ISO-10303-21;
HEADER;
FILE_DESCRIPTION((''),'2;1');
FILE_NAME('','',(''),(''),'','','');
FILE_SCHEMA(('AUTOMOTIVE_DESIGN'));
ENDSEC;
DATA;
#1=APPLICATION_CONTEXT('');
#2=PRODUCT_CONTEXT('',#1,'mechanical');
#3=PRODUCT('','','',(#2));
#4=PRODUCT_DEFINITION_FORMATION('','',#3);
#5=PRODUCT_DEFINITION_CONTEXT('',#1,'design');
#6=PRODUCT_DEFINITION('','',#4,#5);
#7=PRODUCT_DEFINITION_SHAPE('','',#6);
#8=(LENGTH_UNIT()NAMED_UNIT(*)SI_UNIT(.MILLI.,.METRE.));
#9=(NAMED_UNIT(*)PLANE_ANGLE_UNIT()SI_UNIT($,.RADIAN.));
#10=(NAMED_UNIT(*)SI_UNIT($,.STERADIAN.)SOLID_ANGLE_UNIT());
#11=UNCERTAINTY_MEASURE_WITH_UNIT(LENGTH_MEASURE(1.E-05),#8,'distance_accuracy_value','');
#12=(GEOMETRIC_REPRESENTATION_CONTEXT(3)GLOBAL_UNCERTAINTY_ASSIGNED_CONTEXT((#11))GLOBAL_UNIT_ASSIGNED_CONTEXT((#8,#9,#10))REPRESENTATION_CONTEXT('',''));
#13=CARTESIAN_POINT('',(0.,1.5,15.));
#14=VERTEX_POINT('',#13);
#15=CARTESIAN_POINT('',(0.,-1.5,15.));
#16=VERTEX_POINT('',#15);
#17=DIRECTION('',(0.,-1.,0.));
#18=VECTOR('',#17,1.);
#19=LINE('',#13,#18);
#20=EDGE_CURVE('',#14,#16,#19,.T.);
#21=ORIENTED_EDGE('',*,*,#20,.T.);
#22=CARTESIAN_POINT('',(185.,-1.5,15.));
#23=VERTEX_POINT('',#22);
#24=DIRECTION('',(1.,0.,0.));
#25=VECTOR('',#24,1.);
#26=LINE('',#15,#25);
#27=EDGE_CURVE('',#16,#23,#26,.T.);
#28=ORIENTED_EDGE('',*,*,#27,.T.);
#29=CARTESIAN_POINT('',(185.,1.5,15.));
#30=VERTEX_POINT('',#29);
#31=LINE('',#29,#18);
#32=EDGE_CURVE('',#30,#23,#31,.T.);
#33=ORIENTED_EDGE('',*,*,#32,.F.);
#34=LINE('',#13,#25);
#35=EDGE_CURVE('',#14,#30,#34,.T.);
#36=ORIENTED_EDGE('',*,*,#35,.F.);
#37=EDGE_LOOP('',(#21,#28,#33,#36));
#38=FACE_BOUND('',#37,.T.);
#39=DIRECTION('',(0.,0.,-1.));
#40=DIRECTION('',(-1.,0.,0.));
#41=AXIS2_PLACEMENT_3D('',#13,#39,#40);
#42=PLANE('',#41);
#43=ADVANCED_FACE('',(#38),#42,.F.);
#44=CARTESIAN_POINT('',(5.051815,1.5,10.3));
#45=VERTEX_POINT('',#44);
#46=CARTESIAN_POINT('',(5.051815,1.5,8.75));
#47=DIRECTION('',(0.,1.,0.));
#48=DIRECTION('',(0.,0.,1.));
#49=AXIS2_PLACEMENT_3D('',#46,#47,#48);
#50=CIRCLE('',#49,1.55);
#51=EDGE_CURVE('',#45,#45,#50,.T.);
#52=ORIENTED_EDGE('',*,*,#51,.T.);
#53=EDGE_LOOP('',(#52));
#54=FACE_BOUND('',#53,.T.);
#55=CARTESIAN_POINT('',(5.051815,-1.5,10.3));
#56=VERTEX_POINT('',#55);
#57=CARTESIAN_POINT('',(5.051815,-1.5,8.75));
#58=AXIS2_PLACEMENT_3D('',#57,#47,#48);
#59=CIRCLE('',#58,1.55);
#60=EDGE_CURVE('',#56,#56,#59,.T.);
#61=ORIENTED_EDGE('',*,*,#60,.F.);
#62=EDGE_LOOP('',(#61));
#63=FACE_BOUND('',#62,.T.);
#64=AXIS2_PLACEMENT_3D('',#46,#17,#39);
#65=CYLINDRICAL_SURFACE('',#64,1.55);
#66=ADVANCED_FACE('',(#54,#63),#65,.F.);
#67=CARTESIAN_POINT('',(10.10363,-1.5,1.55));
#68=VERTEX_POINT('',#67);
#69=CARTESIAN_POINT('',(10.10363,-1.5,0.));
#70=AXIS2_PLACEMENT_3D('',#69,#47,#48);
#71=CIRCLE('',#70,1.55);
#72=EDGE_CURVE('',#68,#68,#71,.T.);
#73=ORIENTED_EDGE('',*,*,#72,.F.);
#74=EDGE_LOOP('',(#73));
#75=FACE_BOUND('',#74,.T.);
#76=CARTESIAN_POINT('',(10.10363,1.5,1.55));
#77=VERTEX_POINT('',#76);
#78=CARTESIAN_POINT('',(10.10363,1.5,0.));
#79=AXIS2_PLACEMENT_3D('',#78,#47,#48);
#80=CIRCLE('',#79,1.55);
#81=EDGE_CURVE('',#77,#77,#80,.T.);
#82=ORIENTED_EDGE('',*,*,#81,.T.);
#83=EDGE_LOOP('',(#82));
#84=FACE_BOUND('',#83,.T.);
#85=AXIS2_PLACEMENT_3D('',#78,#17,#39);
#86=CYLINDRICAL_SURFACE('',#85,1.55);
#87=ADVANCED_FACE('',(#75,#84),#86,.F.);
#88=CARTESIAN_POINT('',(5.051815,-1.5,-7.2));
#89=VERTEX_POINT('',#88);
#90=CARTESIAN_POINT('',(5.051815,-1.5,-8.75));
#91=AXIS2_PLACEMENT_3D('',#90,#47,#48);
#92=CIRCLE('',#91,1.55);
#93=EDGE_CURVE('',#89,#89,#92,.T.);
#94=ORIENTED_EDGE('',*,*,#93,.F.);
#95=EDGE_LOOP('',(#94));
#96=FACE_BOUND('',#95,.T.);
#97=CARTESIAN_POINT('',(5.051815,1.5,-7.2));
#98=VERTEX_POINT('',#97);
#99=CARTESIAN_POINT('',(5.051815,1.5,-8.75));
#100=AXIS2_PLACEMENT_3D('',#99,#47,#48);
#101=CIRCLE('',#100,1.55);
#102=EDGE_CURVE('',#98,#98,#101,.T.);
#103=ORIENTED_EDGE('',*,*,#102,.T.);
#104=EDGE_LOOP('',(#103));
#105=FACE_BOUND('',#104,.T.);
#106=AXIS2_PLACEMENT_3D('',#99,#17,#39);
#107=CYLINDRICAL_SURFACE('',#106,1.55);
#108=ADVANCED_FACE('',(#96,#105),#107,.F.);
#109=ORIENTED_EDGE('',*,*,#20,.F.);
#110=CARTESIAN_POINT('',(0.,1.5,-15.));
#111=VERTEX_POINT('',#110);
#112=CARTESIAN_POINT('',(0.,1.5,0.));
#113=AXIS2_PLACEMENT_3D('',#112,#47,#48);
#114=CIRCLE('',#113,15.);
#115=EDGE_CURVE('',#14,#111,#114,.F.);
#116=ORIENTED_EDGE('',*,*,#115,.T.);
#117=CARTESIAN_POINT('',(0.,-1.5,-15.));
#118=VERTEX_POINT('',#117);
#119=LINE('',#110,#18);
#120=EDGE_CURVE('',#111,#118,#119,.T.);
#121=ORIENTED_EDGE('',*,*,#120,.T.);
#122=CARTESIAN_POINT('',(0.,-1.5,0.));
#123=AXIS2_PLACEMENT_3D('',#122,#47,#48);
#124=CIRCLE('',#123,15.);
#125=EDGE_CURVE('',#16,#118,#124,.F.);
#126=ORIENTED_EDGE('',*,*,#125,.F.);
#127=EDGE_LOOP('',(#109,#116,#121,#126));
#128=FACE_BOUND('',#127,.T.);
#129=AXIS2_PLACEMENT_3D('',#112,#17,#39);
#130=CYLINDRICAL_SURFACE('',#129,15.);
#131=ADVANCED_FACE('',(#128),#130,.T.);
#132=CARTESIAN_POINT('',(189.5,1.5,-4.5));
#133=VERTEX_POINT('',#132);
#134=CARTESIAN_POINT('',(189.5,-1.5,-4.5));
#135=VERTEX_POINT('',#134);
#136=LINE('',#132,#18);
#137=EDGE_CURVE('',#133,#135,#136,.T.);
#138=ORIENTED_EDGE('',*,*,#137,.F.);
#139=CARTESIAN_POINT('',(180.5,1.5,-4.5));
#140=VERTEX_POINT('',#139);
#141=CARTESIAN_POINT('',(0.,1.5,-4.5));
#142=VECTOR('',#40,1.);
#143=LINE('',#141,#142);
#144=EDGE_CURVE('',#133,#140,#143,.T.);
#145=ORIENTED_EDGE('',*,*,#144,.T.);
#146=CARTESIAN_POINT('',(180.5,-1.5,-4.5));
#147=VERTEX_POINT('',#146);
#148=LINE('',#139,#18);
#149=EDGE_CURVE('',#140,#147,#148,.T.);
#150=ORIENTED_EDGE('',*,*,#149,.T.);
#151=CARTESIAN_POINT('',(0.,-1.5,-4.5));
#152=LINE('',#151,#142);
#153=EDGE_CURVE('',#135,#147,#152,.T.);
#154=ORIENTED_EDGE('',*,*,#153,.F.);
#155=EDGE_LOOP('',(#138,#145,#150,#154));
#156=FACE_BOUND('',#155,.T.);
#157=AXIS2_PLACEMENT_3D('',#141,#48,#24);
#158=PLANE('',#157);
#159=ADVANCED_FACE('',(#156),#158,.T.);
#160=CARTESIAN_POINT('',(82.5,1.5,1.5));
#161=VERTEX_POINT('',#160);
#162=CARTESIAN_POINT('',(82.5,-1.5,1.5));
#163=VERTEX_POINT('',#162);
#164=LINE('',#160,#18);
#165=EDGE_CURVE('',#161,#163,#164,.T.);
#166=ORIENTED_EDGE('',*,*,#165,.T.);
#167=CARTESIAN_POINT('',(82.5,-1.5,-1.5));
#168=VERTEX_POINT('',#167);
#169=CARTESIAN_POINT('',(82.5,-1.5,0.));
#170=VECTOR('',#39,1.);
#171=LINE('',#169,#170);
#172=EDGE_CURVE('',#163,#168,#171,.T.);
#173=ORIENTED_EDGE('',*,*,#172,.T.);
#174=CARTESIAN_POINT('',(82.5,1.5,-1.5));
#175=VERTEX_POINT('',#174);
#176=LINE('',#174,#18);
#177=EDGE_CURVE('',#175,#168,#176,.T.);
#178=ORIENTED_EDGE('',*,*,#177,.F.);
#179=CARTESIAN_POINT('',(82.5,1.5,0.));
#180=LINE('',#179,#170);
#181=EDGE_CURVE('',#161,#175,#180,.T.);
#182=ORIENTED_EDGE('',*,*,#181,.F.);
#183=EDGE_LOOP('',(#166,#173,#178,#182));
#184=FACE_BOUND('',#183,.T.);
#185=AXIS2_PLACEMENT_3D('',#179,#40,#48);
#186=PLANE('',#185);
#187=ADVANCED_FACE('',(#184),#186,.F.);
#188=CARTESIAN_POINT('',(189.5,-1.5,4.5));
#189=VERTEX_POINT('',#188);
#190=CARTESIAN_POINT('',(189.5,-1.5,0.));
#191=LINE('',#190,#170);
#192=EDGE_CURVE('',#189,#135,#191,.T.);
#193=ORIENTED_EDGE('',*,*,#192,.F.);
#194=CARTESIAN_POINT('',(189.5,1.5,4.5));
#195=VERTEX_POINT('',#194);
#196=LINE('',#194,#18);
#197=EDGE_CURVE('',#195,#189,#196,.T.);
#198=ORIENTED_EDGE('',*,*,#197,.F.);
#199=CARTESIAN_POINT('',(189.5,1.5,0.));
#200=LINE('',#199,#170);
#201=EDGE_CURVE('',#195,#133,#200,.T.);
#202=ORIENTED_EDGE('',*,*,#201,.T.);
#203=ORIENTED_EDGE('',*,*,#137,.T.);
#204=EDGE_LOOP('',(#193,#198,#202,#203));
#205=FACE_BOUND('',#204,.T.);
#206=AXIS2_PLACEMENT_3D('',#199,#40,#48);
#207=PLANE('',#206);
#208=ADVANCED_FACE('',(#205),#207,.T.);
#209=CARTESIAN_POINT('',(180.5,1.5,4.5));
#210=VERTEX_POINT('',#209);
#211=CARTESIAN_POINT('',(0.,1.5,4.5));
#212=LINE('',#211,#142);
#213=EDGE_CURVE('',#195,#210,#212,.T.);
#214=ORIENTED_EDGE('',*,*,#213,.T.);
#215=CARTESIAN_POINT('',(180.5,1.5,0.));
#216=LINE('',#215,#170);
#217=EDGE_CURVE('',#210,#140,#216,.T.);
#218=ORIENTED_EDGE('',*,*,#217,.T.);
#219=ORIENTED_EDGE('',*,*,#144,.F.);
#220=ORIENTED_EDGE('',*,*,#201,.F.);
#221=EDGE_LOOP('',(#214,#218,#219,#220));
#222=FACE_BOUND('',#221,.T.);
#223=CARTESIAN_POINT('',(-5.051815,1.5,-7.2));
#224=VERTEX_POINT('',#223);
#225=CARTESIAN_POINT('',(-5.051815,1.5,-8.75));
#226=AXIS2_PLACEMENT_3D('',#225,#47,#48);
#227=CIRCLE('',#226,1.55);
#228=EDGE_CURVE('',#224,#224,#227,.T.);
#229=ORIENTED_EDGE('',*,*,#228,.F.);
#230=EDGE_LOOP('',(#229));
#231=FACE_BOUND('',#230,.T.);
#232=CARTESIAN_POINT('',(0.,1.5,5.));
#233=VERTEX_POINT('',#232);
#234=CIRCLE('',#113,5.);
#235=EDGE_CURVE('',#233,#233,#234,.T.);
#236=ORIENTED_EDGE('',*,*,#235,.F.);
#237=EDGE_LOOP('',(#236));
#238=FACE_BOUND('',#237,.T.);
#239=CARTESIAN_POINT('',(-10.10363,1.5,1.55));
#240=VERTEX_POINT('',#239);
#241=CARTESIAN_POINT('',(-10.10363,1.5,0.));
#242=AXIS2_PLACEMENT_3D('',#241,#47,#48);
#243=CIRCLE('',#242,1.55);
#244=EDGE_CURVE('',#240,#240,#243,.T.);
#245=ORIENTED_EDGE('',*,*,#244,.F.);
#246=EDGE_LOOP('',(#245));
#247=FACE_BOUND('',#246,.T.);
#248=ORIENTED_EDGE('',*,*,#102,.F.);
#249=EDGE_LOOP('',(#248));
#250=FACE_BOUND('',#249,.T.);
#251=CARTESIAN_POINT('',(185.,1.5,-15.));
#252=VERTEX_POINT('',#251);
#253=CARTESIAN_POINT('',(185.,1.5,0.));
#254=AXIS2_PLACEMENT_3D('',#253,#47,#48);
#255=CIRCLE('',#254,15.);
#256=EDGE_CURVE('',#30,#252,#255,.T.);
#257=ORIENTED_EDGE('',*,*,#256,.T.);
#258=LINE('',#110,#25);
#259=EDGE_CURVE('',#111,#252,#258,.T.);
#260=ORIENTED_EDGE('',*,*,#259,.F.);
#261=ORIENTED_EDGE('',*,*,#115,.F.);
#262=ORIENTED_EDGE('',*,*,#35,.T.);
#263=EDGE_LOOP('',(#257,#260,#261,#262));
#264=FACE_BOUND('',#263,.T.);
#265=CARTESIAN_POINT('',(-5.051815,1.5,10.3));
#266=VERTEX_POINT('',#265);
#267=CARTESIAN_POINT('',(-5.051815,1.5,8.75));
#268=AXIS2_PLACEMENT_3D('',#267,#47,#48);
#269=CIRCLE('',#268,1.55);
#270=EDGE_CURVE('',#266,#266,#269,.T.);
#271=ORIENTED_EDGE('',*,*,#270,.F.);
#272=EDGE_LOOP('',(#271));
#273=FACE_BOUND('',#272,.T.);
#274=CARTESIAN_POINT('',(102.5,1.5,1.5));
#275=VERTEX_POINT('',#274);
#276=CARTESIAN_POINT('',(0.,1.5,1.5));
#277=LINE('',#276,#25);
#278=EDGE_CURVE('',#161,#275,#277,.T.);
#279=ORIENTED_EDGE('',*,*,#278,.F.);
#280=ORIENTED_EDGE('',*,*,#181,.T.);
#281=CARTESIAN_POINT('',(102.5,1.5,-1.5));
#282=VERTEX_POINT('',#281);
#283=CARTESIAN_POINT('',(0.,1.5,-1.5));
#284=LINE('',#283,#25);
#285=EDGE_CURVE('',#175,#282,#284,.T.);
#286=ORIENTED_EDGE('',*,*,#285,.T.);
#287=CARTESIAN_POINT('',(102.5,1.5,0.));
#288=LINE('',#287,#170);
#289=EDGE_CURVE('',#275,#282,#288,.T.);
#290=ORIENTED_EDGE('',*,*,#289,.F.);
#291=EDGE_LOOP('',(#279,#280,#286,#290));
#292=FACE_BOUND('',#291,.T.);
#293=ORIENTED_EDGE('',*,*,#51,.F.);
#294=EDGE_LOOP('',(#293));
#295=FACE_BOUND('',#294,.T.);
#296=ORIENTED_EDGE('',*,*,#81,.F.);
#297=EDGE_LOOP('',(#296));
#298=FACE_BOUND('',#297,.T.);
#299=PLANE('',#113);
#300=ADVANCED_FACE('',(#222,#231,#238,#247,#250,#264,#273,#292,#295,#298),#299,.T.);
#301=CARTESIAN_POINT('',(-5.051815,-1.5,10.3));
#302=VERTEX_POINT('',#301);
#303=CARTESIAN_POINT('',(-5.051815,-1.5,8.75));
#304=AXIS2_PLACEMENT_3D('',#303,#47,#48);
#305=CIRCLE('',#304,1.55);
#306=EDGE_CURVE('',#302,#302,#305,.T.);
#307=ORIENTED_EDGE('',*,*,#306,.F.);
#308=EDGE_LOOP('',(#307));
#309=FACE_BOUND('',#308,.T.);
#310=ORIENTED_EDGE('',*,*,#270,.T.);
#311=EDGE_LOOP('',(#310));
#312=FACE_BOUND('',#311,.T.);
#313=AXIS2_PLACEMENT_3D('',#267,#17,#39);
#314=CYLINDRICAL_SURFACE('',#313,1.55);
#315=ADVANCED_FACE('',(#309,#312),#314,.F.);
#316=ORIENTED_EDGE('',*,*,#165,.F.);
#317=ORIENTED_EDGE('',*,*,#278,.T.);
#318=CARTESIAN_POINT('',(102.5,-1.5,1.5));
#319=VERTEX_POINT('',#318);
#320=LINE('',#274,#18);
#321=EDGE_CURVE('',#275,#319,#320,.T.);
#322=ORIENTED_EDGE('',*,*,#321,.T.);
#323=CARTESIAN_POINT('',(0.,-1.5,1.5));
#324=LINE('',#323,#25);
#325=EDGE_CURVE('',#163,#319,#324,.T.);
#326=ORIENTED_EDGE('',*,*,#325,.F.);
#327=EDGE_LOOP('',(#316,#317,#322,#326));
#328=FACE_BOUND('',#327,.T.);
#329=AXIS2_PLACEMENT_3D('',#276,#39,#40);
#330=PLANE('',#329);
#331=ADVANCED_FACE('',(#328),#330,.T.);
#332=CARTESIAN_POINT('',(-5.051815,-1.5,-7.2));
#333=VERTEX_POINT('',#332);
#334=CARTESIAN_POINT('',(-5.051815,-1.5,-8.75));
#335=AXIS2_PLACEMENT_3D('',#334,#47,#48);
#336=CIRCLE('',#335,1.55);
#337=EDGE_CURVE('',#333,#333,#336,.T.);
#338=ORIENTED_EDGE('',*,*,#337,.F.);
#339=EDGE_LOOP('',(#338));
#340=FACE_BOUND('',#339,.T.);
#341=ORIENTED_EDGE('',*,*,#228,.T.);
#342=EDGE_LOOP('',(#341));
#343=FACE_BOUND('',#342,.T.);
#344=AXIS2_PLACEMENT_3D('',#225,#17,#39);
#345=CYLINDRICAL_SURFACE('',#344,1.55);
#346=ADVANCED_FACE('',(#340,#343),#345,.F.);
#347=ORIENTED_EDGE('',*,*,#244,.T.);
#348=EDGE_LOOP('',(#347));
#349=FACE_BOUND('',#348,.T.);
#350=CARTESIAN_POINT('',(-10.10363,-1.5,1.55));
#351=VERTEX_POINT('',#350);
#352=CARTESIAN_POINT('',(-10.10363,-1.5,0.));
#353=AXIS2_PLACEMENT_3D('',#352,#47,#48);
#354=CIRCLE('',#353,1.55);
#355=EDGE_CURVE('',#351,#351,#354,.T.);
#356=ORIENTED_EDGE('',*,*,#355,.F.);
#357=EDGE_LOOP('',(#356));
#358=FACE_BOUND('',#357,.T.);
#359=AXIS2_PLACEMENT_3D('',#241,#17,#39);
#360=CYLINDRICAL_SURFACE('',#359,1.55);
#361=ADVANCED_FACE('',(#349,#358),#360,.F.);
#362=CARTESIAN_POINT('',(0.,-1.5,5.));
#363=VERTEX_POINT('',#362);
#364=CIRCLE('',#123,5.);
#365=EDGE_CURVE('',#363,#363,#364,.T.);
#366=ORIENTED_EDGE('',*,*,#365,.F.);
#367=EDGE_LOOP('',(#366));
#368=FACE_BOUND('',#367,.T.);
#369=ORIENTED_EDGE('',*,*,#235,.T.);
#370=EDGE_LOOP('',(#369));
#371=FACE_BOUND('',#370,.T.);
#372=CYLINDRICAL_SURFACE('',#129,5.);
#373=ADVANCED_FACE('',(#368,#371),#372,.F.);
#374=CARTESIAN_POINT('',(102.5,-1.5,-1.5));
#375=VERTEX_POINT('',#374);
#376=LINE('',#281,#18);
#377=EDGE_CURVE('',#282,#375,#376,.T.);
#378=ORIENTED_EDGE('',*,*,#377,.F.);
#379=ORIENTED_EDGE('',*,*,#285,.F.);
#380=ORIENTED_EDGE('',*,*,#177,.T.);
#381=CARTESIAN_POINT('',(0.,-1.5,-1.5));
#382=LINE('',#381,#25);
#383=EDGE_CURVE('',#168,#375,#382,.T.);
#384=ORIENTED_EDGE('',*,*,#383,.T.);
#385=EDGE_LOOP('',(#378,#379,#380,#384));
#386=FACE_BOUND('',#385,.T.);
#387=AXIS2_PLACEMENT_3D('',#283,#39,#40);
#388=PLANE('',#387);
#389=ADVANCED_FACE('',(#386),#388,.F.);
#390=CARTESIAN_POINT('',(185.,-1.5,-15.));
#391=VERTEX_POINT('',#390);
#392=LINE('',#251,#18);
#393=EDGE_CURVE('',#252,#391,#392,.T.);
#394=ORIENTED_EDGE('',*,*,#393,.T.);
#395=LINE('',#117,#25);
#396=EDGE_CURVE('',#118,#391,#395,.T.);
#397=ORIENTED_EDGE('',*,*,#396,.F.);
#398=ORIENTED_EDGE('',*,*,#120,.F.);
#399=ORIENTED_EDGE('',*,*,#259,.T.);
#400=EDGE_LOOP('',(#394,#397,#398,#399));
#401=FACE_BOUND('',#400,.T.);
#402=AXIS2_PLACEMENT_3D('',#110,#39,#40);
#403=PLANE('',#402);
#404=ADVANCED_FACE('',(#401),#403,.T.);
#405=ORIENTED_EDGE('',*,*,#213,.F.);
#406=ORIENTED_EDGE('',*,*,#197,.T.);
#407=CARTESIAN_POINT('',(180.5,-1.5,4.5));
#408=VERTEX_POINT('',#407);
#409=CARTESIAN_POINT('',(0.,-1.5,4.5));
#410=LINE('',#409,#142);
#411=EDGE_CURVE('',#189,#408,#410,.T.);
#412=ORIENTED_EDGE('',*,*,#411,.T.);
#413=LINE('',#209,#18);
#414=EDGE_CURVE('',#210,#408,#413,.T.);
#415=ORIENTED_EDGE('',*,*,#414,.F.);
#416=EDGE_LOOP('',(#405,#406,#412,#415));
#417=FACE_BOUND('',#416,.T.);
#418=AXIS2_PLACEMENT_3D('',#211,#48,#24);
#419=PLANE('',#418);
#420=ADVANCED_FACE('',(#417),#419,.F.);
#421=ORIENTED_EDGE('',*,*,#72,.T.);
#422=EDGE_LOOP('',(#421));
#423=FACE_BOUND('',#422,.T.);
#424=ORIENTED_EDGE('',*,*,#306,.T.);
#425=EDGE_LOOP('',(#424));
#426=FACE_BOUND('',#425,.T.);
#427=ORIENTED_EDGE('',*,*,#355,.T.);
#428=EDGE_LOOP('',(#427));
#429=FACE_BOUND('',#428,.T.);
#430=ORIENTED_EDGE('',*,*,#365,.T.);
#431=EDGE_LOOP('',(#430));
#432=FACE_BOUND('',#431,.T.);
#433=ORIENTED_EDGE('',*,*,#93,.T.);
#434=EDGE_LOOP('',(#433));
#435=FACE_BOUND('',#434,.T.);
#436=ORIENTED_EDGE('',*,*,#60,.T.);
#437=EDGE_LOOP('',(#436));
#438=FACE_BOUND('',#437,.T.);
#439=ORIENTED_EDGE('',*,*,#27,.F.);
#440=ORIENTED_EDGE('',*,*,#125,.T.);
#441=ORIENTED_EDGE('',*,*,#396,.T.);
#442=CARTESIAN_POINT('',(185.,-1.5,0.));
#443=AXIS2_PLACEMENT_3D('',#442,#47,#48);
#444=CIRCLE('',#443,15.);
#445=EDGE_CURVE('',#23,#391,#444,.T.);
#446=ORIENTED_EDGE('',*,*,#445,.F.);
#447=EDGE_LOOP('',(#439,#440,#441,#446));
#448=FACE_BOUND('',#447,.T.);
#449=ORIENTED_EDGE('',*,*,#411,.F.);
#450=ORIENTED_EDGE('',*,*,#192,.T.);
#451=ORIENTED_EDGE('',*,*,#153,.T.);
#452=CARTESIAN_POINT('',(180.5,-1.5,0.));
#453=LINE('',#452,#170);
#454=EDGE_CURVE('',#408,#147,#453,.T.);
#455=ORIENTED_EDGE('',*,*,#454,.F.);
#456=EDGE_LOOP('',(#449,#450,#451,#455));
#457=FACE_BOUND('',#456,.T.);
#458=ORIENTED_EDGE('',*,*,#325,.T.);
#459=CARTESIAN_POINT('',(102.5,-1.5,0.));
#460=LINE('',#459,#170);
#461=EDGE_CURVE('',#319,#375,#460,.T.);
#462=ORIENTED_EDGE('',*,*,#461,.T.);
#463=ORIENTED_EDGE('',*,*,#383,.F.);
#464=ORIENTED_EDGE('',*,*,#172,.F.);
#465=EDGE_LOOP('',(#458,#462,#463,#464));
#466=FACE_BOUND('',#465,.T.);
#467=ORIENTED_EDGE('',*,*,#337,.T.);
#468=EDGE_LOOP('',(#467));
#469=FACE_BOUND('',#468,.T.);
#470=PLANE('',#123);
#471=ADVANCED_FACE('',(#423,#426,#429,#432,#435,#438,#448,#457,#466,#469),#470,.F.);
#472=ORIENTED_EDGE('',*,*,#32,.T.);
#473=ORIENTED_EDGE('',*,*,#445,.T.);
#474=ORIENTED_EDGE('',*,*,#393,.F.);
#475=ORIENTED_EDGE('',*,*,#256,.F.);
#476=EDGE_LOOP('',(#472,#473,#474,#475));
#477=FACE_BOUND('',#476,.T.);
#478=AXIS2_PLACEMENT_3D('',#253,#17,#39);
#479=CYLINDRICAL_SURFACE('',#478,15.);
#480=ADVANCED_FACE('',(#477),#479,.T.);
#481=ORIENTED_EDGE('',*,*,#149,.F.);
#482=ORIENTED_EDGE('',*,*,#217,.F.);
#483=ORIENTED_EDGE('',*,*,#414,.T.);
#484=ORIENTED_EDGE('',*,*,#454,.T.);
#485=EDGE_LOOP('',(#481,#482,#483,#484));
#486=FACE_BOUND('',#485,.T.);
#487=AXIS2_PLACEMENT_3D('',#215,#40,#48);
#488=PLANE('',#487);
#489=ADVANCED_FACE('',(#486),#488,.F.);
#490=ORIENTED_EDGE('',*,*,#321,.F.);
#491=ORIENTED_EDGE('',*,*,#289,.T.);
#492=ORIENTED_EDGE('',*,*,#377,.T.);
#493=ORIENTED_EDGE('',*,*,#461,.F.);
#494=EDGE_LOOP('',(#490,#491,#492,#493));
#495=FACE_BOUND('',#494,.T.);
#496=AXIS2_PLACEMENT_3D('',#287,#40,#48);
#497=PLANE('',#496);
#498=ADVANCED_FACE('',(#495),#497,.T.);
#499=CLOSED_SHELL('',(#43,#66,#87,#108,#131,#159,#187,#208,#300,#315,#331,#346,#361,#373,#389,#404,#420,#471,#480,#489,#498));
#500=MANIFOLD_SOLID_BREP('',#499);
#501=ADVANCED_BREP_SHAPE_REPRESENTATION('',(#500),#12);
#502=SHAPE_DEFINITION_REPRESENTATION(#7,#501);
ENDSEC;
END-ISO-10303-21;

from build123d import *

# Parameters (mm, degrees)
SKETCH1_R           = 5
SKETCH1_R_2         = 1.55
SKETCH1_W           = 20
SKETCH1_H           = 3
SKETCH1_W_2         = 9
SKETCH1_H_2         = 9
BOSS_EXTRUDE1_DEPTH = 1.5


with BuildPart() as part:
    # Sketch1 → Boss-Extrude1 (new body, symmetric)
    with BuildSketch(Plane(origin=(0, 0, 0), x_dir=(1, 0, 0), z_dir=(0, 1, 0))):
        with BuildLine():
            Line((0, 15), (185, 15))
            ThreePointArc((185, 15), (200, 0), (185, -15))
            Line((185, -15), (0, -15))
            ThreePointArc((0, -15), (-15, 0), (0, 15))
        make_face()
        Circle(SKETCH1_R, mode=Mode.SUBTRACT)
        with Locations((5.051814855, 8.75)):
            Circle(SKETCH1_R_2, mode=Mode.SUBTRACT)
        with Locations((10.103629711, 0)):
            Circle(SKETCH1_R_2, mode=Mode.SUBTRACT)
        with Locations((5.051814855, -8.75)):
            Circle(SKETCH1_R_2, mode=Mode.SUBTRACT)
        with Locations((-5.051814855, -8.75)):
            Circle(SKETCH1_R_2, mode=Mode.SUBTRACT)
        with Locations((-10.103629711, 0)):
            Circle(SKETCH1_R_2, mode=Mode.SUBTRACT)
        with Locations((-5.051814855, 8.75)):
            Circle(SKETCH1_R_2, mode=Mode.SUBTRACT)
        with Locations((92.5, 0)):
            Rectangle(SKETCH1_W, SKETCH1_H, mode=Mode.SUBTRACT)
        with Locations((185, 0)):
            Rectangle(SKETCH1_W_2, SKETCH1_H_2, mode=Mode.SUBTRACT)
    extrude(amount=BOSS_EXTRUDE1_DEPTH, both=True)


solid = part.part
